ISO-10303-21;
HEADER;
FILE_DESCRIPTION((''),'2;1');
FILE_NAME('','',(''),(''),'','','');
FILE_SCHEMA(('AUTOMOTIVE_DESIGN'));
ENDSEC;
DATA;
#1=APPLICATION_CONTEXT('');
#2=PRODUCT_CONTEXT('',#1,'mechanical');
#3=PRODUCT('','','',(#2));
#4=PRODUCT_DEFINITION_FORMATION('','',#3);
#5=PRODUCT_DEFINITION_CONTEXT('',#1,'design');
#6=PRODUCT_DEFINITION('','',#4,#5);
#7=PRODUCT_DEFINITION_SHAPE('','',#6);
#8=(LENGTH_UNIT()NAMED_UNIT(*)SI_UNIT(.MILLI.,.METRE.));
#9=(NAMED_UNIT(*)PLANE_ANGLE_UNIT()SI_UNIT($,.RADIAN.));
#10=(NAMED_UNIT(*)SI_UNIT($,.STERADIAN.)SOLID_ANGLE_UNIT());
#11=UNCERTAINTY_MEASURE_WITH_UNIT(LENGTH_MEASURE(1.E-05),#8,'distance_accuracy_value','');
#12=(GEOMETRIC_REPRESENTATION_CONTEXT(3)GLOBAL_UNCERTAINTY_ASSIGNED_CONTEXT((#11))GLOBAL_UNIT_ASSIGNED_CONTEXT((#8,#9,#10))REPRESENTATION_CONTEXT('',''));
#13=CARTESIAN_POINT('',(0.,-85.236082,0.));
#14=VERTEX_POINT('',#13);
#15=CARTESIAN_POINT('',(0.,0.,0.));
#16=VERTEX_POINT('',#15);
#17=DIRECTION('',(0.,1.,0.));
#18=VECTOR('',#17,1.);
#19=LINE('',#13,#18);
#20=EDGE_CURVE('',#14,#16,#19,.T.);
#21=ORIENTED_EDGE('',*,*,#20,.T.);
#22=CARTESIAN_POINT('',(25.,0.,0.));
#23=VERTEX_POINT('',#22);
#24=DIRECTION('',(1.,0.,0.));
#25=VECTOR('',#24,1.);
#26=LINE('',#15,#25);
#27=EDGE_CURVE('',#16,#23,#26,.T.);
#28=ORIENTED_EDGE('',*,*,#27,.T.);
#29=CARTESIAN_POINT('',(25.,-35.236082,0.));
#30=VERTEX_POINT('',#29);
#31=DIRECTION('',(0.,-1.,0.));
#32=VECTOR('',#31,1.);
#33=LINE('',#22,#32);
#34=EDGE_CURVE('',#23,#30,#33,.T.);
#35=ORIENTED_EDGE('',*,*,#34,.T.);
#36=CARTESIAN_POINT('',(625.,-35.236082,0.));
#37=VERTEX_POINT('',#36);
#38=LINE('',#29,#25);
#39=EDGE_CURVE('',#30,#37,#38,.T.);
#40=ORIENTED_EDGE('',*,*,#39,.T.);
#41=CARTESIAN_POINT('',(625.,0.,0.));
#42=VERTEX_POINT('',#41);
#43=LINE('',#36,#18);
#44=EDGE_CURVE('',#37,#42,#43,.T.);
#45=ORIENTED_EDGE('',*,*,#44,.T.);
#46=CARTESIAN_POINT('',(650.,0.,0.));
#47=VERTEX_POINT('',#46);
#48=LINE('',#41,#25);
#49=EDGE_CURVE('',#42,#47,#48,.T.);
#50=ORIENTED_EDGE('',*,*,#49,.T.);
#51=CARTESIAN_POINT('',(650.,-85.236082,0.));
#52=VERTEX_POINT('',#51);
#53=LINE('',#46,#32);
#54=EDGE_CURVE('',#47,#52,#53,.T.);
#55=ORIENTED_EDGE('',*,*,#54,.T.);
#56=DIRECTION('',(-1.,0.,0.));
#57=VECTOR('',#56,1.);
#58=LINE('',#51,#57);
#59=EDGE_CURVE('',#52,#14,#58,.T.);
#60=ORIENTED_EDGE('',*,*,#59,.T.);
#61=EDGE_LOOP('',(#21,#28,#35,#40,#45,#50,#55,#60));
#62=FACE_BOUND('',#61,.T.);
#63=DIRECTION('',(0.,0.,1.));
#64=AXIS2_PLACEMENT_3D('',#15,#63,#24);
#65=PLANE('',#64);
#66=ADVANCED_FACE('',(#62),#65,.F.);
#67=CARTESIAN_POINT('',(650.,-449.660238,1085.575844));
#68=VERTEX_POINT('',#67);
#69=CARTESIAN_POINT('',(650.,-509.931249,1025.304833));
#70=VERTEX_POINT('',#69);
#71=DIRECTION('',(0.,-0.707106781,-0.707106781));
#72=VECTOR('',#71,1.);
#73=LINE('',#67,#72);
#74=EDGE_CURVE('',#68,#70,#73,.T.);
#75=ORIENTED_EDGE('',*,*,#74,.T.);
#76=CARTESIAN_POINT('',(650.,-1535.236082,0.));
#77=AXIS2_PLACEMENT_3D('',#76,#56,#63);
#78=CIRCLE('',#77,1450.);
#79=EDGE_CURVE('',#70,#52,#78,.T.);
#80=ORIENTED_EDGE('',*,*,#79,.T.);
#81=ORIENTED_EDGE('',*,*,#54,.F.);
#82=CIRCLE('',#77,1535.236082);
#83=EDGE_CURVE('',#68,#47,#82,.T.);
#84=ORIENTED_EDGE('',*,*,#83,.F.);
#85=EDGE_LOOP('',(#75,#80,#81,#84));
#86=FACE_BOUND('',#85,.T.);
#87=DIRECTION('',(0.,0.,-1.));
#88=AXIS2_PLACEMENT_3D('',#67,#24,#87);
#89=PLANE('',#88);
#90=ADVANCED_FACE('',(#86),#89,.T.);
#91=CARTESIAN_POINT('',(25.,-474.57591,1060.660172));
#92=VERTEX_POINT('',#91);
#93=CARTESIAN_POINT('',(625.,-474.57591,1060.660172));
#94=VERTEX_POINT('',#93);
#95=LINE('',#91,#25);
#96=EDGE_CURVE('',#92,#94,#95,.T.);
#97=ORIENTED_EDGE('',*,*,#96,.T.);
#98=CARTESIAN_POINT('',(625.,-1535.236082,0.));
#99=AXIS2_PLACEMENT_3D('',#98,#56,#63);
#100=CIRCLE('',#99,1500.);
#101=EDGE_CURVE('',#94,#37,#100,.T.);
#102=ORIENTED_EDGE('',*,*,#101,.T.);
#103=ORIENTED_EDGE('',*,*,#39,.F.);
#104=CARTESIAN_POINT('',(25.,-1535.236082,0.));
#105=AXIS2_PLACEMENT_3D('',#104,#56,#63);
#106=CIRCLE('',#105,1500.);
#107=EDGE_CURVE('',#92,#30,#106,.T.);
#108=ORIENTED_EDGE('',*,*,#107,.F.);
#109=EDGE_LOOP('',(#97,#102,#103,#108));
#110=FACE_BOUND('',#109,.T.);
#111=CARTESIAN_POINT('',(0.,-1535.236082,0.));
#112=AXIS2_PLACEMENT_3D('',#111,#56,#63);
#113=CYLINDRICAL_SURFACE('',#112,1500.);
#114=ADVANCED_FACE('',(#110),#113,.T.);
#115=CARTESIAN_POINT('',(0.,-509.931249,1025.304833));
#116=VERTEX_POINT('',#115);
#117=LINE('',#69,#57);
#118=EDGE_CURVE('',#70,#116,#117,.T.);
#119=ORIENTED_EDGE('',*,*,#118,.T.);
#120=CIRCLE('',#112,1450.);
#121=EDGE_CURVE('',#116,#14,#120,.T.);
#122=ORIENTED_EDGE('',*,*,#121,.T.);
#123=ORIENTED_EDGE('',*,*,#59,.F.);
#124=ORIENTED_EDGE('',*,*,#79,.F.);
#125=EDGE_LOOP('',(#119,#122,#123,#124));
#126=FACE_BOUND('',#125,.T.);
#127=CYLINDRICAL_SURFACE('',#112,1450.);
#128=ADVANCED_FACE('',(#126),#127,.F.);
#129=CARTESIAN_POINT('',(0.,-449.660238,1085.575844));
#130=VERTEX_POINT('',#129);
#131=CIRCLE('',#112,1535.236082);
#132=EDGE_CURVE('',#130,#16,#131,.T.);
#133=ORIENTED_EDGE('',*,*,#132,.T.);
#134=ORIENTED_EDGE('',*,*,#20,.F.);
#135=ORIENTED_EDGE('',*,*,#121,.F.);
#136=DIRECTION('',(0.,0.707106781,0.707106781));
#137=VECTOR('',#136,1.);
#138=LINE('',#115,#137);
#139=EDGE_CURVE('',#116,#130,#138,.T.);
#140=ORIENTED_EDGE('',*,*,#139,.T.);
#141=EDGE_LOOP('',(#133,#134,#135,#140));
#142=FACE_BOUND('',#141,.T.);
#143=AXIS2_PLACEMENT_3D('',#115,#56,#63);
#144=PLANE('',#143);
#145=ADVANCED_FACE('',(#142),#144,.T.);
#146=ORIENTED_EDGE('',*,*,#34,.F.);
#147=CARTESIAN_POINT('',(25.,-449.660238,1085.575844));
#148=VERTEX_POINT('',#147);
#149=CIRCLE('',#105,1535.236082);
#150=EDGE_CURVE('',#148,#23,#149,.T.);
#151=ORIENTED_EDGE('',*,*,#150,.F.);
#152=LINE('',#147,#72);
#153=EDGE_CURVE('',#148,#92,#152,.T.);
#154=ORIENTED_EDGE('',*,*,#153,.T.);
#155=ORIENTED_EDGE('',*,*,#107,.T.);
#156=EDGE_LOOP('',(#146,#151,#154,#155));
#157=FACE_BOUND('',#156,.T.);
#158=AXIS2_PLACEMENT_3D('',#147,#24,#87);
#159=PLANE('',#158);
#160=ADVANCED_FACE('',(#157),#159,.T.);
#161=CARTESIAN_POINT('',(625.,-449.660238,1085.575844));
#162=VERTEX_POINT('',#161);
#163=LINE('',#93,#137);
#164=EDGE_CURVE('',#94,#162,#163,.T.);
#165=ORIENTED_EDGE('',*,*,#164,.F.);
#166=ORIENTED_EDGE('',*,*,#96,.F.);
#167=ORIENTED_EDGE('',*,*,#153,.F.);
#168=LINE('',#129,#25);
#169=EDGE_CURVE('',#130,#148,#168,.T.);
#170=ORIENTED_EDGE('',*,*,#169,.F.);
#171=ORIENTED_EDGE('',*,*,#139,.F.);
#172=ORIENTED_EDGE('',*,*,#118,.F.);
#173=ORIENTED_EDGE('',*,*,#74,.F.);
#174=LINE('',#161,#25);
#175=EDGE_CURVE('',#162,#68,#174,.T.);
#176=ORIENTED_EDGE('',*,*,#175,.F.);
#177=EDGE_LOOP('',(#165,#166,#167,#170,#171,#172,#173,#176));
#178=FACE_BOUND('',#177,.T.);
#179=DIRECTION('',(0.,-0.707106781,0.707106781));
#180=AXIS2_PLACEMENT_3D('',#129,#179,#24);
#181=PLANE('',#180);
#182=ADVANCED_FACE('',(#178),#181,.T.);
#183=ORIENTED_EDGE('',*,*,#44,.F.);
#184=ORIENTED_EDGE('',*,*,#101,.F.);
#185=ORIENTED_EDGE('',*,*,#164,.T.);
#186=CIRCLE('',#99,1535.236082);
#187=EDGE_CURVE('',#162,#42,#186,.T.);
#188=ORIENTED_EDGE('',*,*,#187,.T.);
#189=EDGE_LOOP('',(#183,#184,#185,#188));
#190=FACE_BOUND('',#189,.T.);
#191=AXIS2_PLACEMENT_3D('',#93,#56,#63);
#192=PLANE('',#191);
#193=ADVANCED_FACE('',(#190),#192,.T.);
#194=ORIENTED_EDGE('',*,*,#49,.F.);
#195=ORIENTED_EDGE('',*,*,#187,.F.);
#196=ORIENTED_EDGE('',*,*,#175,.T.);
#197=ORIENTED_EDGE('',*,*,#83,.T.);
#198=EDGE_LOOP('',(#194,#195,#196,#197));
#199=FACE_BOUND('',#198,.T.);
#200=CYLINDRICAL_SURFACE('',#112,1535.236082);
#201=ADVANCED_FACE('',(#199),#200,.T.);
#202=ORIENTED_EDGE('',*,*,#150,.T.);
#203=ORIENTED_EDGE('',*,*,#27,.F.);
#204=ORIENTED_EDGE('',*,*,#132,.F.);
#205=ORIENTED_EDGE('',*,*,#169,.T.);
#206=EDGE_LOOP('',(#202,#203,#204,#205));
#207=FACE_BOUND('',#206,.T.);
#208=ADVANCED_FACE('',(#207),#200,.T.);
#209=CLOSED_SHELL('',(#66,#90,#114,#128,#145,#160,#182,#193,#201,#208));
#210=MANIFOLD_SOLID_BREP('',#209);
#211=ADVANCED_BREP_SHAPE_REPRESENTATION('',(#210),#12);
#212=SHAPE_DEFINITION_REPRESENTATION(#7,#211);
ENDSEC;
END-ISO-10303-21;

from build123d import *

# Parameters (mm, degrees)
REVOLVE2_ANGLE = 45


with BuildPart() as part:
    # Sketch1 → Revolve2 (revolve)
    with BuildSketch(Plane.XY):
        Polygon((0, 0), (25, 0), (25, -35.236081748), (625, -35.236081748), (625, 0), (650, 0), (650, -85.236081748), (0, -85.236081748), align=None)
    revolve(axis=Axis((0, -1535.236081748, 0), (1, 0, 0)), revolution_arc=REVOLVE2_ANGLE)


solid = part.part
